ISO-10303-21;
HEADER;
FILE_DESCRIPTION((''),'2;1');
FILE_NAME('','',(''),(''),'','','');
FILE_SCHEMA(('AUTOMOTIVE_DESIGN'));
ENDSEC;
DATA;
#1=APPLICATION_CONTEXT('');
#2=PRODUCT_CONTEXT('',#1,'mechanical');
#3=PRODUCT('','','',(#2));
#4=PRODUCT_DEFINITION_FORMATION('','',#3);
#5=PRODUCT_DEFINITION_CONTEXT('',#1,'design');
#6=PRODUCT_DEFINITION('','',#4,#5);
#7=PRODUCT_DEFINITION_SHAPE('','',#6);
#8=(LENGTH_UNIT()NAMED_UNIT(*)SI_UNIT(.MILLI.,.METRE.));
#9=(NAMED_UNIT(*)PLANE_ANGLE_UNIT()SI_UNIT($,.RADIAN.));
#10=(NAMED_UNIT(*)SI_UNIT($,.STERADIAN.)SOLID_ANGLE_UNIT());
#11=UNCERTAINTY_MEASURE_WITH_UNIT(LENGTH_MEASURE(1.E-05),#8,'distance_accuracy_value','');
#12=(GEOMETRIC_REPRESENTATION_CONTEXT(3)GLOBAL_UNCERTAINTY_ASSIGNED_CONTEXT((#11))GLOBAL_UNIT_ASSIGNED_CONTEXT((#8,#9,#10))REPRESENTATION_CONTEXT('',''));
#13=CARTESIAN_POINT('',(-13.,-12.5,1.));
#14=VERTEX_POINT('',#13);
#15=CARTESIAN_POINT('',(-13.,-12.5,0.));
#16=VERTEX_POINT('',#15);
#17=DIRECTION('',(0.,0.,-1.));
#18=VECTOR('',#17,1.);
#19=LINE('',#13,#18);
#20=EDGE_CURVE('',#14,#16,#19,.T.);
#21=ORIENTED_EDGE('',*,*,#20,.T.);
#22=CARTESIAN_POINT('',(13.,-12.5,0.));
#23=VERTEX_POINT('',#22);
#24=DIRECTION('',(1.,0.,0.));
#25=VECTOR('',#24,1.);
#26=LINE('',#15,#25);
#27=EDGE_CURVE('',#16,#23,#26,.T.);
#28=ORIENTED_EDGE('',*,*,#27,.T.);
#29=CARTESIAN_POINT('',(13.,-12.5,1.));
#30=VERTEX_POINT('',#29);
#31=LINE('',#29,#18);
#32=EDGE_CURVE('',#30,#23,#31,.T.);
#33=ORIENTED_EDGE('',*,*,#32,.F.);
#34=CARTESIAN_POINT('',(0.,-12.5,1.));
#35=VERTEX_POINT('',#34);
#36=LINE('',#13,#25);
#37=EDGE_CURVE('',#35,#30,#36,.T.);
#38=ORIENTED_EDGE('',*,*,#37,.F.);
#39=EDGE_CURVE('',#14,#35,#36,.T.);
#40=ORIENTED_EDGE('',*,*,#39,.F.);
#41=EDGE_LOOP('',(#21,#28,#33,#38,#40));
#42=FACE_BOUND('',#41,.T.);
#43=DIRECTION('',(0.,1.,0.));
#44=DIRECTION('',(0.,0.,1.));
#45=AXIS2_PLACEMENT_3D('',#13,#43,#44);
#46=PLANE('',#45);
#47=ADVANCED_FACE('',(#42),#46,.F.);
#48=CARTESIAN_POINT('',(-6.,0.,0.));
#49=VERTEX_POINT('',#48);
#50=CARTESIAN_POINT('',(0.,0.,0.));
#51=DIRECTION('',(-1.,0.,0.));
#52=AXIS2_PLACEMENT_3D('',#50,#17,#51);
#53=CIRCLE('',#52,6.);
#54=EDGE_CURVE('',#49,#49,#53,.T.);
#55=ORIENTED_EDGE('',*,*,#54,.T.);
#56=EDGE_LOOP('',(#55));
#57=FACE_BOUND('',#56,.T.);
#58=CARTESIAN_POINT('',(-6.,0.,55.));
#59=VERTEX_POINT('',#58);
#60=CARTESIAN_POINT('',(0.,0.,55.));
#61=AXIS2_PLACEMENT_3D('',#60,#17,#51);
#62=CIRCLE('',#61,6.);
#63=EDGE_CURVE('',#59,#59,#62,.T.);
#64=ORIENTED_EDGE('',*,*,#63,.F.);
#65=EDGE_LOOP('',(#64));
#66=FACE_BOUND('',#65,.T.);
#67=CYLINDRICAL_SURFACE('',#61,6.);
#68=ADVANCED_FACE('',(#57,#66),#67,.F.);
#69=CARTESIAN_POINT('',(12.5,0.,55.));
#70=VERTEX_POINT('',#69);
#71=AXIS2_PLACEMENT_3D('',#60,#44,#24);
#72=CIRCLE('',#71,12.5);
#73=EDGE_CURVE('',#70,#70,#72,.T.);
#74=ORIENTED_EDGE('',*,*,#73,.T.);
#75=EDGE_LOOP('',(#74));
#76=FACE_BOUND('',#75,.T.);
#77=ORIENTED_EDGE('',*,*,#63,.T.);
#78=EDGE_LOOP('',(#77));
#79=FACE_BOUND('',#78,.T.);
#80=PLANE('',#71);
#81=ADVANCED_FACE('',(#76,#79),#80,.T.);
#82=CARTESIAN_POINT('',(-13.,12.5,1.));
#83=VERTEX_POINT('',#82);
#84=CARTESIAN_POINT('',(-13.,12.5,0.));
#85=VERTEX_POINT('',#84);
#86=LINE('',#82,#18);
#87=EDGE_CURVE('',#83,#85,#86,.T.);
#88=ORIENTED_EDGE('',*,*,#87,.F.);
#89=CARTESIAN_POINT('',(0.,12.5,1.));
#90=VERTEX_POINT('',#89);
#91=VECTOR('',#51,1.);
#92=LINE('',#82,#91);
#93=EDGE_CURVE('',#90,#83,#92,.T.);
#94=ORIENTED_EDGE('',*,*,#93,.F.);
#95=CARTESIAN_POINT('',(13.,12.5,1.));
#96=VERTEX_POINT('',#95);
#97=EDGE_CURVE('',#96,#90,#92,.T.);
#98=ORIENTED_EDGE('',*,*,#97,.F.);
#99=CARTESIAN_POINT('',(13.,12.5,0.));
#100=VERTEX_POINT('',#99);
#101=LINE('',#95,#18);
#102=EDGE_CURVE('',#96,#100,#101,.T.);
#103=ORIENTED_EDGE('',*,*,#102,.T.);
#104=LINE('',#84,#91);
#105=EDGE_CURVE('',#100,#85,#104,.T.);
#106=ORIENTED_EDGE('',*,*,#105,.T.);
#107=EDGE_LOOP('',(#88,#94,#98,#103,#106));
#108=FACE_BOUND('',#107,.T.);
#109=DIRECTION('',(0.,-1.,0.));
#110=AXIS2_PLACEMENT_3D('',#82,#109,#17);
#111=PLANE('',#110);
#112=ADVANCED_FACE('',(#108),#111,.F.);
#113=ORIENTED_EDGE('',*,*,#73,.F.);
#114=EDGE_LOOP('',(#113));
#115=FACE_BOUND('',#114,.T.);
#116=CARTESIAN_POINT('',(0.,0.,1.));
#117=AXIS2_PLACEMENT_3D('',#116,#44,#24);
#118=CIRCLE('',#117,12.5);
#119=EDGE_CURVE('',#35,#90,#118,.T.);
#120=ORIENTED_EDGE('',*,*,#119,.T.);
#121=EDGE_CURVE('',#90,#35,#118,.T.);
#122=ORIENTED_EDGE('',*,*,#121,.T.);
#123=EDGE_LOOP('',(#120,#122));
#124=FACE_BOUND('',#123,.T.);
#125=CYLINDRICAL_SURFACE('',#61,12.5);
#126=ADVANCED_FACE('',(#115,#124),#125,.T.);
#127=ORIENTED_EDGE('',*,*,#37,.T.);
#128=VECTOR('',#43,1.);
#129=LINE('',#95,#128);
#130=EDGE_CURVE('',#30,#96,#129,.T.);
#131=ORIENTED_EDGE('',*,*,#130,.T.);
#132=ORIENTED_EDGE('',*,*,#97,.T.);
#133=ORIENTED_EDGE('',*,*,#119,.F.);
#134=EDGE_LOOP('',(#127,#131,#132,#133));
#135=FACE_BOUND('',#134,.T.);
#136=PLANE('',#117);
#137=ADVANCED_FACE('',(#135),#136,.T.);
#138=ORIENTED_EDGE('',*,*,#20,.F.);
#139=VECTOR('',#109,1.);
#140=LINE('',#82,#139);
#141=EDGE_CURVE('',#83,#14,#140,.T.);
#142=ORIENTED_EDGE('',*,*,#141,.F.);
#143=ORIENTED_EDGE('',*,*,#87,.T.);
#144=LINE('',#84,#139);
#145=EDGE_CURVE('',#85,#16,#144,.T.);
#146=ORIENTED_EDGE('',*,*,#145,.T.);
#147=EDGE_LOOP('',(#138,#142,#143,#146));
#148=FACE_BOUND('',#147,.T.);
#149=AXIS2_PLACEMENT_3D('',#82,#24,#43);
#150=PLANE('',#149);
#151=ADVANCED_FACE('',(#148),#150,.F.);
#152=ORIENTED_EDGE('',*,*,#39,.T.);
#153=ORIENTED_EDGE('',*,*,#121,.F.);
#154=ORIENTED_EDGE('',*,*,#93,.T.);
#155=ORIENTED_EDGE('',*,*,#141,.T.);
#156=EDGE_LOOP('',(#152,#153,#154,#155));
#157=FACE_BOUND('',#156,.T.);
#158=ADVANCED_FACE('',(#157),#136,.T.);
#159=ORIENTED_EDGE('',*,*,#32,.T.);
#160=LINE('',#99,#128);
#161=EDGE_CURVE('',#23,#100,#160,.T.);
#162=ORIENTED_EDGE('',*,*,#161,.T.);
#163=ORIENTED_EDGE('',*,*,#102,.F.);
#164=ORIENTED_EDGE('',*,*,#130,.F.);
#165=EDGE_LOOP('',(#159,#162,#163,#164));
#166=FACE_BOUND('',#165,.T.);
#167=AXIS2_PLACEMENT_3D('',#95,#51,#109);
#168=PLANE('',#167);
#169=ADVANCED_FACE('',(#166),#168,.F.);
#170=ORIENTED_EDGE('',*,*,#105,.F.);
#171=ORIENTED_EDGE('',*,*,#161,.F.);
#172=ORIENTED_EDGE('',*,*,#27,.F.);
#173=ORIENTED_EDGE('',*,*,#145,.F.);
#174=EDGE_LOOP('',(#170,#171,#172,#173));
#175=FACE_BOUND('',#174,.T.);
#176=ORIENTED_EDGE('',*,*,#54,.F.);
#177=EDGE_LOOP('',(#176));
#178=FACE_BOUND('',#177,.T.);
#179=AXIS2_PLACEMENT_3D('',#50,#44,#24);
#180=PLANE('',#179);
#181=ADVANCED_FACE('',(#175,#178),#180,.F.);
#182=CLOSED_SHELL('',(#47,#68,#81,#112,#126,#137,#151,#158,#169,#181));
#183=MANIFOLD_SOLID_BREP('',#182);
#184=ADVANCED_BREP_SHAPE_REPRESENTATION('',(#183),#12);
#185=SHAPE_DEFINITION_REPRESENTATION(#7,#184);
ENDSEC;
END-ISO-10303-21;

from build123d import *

# Parameters (mm, degrees)
SKETCH1_W           = 26
SKETCH1_H           = 25
BOSS_EXTRUDE1_DEPTH = 1
SKETCH2_R           = 12.5
BOSS_EXTRUDE2_DEPTH = 54
SKETCH3_R           = 6
CUT_EXTRUDE1_DEPTH  = 56


with BuildPart() as part:
    # Sketch1 → Boss-Extrude1 (new body)
    with BuildSketch(Plane.XY):
        Rectangle(SKETCH1_W, SKETCH1_H)
    extrude(amount=BOSS_EXTRUDE1_DEPTH)

    # Sketch2 → Boss-Extrude2 (add)
    with BuildSketch(Plane.XY.offset(1)):
        Circle(SKETCH2_R)
    extrude(amount=BOSS_EXTRUDE2_DEPTH)

    # Sketch3 → Cut-Extrude1 (cut, through all)
    with BuildSketch(Plane(origin=(0, 0, 0), x_dir=(-1, 0, 0), z_dir=(0, 0, -1))):
        Circle(SKETCH3_R)
    extrude(amount=-CUT_EXTRUDE1_DEPTH, mode=Mode.SUBTRACT)


solid = part.part
